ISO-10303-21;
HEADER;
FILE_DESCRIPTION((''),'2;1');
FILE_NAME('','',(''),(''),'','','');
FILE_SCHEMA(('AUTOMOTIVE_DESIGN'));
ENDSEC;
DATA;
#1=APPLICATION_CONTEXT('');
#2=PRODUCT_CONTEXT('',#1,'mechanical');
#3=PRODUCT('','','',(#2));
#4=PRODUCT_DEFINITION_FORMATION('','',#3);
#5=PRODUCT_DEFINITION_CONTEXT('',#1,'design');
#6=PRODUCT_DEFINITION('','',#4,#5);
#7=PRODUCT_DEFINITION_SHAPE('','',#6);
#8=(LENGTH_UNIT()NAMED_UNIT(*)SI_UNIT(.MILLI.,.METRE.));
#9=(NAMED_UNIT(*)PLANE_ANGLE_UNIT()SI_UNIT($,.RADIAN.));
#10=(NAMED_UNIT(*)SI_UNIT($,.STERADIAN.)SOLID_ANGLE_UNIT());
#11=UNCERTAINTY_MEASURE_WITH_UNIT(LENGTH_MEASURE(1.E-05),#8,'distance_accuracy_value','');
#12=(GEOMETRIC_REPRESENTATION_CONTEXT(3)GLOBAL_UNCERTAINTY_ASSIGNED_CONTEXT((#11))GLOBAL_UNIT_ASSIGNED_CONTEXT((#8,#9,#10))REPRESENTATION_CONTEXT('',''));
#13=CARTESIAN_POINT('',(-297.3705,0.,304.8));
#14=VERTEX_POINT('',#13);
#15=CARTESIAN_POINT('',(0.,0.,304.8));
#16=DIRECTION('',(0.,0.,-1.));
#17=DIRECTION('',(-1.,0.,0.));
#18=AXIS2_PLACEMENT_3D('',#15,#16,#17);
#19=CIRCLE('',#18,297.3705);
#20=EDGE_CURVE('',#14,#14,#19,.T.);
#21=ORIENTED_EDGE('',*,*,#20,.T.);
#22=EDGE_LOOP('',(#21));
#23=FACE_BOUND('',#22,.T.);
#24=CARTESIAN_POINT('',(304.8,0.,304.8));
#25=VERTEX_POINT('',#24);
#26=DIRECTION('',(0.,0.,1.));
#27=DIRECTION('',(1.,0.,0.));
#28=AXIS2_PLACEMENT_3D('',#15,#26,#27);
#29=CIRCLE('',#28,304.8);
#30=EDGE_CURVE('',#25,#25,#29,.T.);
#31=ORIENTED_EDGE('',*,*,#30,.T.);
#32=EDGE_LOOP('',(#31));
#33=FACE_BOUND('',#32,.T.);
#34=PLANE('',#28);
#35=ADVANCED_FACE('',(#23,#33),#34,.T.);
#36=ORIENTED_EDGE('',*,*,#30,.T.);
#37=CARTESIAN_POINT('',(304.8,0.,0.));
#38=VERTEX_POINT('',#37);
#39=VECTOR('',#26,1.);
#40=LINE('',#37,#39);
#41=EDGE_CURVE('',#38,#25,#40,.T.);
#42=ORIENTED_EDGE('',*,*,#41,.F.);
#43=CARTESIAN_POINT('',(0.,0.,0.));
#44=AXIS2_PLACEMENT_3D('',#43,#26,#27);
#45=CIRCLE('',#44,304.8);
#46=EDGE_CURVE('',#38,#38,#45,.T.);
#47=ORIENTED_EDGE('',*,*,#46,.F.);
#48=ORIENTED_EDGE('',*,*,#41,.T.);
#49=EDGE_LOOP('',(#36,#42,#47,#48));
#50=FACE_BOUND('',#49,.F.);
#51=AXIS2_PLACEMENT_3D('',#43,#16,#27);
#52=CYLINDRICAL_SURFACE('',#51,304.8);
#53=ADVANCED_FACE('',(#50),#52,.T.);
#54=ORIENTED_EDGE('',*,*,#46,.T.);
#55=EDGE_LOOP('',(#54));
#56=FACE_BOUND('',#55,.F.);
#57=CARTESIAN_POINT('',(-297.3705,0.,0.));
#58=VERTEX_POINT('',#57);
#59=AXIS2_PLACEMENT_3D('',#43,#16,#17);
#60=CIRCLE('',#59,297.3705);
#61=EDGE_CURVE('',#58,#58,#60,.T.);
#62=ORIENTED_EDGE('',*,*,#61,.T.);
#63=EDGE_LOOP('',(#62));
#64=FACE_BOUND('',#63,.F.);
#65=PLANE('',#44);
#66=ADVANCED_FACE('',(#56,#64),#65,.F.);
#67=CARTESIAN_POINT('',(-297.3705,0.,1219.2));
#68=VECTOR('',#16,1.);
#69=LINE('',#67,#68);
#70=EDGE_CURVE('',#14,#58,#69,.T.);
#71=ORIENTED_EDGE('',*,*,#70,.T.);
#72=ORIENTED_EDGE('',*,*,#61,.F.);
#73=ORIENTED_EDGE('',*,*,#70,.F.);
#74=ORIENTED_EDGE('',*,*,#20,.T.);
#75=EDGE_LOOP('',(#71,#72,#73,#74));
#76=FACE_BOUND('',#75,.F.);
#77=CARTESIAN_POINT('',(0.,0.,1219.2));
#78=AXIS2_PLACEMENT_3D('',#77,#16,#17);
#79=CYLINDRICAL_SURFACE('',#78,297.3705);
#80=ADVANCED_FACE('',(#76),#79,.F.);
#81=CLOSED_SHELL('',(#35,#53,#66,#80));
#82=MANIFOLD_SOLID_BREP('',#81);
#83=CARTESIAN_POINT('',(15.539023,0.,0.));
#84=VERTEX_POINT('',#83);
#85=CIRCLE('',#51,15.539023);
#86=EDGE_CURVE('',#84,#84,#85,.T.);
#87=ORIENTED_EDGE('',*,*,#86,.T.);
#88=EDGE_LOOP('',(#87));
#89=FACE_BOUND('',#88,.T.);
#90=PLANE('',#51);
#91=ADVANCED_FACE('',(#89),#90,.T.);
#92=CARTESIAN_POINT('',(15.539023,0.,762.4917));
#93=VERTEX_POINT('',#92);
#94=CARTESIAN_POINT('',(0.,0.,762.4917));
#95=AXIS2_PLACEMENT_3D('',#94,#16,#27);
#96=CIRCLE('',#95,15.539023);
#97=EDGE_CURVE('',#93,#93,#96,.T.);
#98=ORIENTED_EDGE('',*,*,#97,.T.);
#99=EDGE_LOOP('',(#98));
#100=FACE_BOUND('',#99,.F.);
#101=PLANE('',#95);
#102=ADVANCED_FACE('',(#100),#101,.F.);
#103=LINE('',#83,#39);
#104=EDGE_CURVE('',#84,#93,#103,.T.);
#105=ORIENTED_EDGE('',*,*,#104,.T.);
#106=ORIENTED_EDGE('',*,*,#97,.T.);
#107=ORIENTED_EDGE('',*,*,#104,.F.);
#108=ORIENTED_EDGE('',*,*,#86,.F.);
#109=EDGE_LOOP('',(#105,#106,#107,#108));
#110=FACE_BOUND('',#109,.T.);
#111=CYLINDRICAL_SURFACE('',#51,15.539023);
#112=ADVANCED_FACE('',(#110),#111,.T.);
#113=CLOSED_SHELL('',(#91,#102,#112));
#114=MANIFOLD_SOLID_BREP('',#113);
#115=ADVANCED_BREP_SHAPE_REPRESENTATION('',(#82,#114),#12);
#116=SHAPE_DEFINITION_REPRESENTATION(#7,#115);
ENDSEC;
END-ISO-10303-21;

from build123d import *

# Parameters (mm, degrees)
F0_R     = 304.8
F1_DEPTH = 304.8
F3_D     = 594.741
F4_R     = 15.539023
F5_DEPTH = 762.4917


with BuildPart() as f1:
    # F0 (on Top) → F1 (new body)
    with BuildSketch(Plane.XY):
        Circle(F0_R)
    extrude(amount=F1_DEPTH)

    # F3 (through all)
    with Locations(Plane.XY.offset(304.8)):
        with Locations((0, 0)):
            Hole(F3_D / 2)


with BuildPart() as f5:
    # F4 (on face) → F5 (new body)
    with BuildSketch(Plane(origin=(0, 0, 0), x_dir=(1, 0, 0), z_dir=(0, 0, -1))):
        Circle(F4_R)
    extrude(amount=-F5_DEPTH)


solid = Compound([f1.part, f5.part])
